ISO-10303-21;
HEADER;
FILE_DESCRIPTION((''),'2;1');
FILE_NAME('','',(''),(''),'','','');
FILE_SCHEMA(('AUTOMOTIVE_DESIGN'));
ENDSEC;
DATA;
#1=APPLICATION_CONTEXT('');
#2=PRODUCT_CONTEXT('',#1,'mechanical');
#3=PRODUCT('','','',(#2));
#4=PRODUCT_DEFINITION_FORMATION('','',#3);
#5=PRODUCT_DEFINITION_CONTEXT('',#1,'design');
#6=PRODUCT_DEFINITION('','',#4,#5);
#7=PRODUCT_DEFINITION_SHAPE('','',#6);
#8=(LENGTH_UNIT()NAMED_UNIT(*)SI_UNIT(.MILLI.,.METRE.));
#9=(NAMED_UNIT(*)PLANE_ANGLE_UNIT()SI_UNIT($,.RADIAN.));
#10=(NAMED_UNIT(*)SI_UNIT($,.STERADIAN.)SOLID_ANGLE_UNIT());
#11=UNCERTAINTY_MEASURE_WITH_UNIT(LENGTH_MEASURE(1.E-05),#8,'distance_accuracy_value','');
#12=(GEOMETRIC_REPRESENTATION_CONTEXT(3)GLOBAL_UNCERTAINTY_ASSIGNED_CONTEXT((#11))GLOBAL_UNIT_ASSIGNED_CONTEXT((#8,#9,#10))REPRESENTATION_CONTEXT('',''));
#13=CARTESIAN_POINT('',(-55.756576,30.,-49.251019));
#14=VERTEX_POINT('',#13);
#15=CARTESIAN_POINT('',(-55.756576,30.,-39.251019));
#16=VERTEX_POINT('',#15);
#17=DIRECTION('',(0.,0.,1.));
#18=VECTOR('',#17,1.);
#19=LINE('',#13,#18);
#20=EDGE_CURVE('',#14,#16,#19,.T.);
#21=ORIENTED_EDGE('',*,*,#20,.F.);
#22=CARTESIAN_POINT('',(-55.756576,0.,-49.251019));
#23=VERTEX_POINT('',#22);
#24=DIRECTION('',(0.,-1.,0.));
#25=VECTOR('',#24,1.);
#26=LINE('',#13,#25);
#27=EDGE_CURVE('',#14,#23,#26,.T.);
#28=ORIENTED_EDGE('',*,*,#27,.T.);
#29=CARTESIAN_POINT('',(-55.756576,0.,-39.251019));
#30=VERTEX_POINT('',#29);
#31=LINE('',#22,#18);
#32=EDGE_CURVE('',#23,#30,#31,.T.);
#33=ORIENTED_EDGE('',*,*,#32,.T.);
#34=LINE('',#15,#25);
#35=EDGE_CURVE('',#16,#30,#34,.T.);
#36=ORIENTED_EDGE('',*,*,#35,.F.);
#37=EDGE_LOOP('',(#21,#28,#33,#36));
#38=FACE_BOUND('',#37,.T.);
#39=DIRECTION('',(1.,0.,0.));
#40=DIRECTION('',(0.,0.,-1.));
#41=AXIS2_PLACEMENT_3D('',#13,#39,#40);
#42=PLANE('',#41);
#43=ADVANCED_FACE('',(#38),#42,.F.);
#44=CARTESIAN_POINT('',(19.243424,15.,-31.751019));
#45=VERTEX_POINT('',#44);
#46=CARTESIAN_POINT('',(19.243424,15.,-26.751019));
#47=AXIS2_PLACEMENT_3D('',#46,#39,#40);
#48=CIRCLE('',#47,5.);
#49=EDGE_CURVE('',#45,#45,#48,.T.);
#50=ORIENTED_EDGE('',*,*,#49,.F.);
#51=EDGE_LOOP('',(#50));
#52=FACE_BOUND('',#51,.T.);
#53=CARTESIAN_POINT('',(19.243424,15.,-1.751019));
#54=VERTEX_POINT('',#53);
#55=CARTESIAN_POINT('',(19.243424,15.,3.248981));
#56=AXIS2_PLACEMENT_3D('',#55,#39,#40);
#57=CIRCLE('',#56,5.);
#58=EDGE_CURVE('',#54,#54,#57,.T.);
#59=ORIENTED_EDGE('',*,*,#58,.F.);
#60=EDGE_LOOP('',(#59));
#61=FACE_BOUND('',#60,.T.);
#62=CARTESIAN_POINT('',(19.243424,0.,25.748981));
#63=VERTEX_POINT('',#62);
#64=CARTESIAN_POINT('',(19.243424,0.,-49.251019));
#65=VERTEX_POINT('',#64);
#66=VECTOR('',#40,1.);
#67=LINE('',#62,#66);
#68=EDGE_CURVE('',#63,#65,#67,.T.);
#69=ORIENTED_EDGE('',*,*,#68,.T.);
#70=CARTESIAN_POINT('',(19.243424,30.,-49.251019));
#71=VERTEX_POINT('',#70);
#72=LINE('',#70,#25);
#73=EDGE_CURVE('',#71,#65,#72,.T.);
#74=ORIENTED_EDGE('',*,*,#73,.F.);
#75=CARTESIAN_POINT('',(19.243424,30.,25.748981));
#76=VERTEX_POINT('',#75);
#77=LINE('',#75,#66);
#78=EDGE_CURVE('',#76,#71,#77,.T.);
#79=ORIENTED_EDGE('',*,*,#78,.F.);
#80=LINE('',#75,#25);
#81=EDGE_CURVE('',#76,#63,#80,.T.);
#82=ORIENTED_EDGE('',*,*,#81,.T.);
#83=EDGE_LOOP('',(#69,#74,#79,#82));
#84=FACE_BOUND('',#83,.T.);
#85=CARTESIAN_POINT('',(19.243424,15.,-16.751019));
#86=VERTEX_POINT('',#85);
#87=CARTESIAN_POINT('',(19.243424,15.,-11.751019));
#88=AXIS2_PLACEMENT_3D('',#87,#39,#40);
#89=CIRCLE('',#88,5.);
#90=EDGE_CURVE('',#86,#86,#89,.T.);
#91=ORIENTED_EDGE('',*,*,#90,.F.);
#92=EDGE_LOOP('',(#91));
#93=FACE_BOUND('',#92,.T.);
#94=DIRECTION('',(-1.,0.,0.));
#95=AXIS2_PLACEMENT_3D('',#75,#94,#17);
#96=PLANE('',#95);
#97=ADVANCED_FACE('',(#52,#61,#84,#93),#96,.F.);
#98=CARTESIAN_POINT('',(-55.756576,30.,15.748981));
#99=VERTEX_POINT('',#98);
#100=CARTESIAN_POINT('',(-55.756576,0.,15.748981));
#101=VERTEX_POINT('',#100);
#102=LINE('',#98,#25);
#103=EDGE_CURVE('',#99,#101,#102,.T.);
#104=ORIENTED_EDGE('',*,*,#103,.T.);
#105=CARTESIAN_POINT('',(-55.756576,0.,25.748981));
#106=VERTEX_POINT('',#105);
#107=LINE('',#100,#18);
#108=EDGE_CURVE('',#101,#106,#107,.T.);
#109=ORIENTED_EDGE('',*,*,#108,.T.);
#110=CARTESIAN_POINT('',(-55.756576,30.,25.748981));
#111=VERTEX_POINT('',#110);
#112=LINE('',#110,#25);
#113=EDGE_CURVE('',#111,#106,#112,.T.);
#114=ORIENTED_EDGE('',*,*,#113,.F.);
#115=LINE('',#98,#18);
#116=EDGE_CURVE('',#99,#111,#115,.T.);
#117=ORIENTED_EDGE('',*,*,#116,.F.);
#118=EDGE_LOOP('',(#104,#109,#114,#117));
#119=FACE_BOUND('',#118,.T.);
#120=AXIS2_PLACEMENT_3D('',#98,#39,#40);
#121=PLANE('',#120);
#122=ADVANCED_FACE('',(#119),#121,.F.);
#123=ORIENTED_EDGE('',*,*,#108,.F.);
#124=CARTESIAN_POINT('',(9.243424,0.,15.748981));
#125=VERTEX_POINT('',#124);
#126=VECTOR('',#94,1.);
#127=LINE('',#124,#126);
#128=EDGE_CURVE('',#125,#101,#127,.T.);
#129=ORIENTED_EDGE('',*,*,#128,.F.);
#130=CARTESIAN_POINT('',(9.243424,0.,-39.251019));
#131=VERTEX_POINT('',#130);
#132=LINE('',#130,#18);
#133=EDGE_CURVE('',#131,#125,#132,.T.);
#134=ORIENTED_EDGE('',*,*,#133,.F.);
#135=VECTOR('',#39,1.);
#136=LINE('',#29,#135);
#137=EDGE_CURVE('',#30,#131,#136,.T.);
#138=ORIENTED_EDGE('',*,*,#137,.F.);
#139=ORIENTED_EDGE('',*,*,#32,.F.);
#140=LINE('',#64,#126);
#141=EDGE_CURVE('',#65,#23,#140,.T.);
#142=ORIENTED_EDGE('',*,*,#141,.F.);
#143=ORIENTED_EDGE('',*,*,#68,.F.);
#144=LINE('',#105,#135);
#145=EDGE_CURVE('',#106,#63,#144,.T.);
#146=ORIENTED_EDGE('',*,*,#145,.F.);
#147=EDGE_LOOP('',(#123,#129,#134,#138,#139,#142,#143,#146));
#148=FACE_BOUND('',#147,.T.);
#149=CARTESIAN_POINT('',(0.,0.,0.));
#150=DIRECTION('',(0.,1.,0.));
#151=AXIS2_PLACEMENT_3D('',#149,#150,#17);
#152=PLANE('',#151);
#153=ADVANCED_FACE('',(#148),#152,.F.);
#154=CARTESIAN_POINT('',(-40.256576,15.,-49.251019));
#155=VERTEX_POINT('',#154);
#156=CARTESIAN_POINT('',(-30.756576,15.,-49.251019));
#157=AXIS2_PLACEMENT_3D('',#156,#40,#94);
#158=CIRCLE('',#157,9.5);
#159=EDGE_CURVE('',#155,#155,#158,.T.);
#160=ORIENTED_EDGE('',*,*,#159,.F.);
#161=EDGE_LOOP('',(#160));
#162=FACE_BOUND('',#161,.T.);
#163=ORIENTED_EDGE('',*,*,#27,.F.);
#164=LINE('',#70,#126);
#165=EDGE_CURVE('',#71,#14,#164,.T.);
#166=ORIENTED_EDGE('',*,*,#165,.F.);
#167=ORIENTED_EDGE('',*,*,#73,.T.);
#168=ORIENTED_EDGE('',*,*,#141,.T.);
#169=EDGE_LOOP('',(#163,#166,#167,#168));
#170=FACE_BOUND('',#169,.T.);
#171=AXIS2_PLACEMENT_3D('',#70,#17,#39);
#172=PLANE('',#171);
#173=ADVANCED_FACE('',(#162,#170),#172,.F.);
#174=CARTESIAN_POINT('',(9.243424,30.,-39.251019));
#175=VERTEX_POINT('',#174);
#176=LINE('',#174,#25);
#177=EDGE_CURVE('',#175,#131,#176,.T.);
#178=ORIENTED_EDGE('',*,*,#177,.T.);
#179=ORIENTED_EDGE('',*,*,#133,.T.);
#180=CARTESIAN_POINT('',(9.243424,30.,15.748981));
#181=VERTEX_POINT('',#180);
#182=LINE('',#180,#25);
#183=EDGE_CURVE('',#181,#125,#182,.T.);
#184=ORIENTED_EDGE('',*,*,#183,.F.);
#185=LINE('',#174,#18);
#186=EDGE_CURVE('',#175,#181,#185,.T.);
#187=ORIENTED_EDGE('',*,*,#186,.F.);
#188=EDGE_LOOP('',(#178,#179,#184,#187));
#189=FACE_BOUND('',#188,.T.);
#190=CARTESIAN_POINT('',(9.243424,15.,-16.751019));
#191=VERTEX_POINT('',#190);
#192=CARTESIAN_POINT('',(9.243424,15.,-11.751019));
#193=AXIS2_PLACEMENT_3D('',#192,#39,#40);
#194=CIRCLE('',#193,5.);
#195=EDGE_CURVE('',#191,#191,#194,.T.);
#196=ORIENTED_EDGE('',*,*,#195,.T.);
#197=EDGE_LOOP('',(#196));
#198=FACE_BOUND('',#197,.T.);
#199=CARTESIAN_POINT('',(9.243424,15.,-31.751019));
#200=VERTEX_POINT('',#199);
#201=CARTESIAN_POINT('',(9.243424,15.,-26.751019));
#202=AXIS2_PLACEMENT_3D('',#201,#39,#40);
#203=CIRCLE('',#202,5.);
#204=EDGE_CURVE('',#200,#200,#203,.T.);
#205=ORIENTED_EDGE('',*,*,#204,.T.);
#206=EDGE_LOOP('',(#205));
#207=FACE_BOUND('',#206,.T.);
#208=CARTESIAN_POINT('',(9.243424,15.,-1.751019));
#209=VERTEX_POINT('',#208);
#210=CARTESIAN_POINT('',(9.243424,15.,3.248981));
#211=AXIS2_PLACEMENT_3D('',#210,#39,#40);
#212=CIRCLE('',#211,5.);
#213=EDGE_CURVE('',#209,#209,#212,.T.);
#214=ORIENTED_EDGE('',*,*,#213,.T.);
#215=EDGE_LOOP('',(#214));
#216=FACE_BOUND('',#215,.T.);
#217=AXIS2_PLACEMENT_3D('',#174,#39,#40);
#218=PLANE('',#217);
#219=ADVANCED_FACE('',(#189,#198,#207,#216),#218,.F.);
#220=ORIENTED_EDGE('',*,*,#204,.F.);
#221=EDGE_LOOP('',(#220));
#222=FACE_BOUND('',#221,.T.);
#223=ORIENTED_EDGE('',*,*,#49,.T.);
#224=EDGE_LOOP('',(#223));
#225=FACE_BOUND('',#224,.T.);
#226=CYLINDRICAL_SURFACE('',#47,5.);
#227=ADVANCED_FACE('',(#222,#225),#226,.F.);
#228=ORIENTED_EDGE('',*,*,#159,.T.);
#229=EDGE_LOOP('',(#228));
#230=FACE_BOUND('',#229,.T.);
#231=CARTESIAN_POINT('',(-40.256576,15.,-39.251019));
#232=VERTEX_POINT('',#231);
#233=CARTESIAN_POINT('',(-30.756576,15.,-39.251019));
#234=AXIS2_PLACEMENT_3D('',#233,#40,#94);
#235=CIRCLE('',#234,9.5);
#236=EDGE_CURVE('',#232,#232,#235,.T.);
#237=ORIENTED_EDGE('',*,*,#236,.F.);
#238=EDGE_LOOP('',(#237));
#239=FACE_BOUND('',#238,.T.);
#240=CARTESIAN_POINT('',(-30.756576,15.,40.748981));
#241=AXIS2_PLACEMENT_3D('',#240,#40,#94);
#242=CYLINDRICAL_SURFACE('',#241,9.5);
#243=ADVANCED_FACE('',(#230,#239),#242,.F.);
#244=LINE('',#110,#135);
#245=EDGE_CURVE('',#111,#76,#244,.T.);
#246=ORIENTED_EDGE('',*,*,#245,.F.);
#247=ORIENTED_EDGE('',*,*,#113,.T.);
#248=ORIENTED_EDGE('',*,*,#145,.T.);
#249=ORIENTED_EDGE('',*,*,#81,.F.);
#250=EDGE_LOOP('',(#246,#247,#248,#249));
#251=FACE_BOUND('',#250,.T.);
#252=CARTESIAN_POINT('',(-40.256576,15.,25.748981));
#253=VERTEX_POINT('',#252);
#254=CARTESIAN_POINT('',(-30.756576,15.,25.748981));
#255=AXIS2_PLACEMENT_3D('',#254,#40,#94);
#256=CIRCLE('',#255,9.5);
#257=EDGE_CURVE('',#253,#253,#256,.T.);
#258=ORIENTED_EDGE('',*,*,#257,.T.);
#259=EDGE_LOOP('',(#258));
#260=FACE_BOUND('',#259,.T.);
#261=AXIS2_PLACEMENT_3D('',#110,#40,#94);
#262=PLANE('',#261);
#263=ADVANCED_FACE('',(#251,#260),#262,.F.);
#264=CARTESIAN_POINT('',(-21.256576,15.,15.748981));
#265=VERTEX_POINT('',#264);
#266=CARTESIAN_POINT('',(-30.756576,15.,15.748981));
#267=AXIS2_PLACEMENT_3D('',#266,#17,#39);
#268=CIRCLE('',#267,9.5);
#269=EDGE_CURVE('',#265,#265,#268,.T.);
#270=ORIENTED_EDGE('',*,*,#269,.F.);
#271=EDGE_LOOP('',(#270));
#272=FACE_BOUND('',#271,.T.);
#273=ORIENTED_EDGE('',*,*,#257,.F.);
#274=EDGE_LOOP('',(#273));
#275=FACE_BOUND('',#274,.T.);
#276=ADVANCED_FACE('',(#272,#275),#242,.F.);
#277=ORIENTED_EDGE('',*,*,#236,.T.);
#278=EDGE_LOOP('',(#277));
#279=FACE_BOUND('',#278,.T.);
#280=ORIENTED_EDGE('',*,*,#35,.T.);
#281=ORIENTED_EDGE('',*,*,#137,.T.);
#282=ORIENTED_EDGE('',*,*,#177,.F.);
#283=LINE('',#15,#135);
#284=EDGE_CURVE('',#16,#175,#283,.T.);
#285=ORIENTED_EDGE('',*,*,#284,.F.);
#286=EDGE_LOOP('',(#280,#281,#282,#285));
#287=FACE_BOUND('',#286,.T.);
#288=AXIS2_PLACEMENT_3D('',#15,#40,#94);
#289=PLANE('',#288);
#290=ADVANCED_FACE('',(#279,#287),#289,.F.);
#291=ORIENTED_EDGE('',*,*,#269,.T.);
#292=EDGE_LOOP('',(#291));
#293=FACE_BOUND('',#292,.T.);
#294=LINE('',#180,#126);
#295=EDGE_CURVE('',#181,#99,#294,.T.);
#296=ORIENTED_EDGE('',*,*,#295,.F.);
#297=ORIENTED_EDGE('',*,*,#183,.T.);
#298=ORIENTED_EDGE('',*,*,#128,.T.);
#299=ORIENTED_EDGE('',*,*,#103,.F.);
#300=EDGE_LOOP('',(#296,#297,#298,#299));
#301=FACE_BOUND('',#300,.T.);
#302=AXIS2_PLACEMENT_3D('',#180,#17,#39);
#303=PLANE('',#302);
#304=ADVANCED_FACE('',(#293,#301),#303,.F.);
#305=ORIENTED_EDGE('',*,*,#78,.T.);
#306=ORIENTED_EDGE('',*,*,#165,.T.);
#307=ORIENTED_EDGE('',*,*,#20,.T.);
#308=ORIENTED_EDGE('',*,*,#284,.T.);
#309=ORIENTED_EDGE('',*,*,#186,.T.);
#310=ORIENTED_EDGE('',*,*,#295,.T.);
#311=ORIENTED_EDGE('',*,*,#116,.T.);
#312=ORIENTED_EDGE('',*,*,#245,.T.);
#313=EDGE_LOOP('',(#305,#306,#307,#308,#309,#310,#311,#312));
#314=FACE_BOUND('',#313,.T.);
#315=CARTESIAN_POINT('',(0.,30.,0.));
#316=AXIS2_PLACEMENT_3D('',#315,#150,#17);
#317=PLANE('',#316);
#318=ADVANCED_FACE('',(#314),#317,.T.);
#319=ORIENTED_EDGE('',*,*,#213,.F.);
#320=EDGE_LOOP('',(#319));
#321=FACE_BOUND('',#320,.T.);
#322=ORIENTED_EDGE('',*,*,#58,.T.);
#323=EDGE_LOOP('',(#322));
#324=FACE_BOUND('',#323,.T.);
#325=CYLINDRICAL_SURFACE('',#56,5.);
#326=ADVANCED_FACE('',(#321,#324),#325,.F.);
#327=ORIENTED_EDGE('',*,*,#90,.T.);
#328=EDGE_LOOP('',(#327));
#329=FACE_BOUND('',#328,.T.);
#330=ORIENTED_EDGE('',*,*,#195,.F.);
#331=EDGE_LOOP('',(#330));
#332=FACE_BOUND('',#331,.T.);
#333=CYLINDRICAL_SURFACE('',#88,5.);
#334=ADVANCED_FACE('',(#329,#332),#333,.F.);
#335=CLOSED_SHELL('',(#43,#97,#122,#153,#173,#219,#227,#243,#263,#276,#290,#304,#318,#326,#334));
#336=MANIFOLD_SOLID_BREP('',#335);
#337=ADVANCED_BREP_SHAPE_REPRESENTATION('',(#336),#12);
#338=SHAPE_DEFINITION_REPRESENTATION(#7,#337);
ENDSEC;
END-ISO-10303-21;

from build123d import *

# Parameters (mm, degrees)
BOSS_EXTRUDE1_DEPTH              = 30
SKETCH3_R                        = 9.5
CUT_EXTRUDE1_DEPTH               = 90
M10X1_0_TAPPED_HOLE1_D           = 9
M10X1_0_TAPPED_HOLE1_DEPTH       = 23
M10X1_0_TAPPED_HOLE1_CBORE_D     = 10
M10X1_0_TAPPED_HOLE1_CBORE_DEPTH = 20
M10X1_0_TAPPED_HOLE1_TIP         = 2.703872786


with BuildPart() as part:
    # Sketch1 → Boss-Extrude1 (new body)
    with BuildSketch(Plane(origin=(0, 0, 0), x_dir=(1, 0, 0), z_dir=(0, 1, 0))):
        Polygon((-55.756575978, -25.748980809), (19.243424022, -25.748980809), (19.243424022, 49.251019191), (-55.756575978, 49.251019191), (-55.756575978, 39.251019191), (9.243424022, 39.251019191), (9.243424022, -15.748980809), (-55.756575978, -15.748980809), align=None)
    extrude(amount=BOSS_EXTRUDE1_DEPTH)

    # Sketch3 → Cut-Extrude1 (cut)
    with BuildSketch(Plane(origin=(0, 0, -49.251019191), x_dir=(-1, 0, 0), z_dir=(0, 0, -1))):
        with Locations((30.756575978, 15)):
            Circle(SKETCH3_R)
    extrude(amount=-CUT_EXTRUDE1_DEPTH, mode=Mode.SUBTRACT)

    # M10x1.0 Tapped Hole1
    with Locations(Plane(origin=(19.243424022, 0, 0), x_dir=(0, 0, -1), z_dir=(1, 0, 0))):
        with Locations((-3.248980809, 15), (11.751019191, 15), (26.751019191, 15)):
            CounterBoreHole(M10X1_0_TAPPED_HOLE1_D / 2, M10X1_0_TAPPED_HOLE1_CBORE_D / 2, M10X1_0_TAPPED_HOLE1_CBORE_DEPTH, depth=M10X1_0_TAPPED_HOLE1_DEPTH)
            with Locations((0, 0, -(M10X1_0_TAPPED_HOLE1_DEPTH + M10X1_0_TAPPED_HOLE1_TIP / 2))):  # 118° drill point
                Cone(0, M10X1_0_TAPPED_HOLE1_D / 2, M10X1_0_TAPPED_HOLE1_TIP, mode=Mode.SUBTRACT)


solid = part.part
